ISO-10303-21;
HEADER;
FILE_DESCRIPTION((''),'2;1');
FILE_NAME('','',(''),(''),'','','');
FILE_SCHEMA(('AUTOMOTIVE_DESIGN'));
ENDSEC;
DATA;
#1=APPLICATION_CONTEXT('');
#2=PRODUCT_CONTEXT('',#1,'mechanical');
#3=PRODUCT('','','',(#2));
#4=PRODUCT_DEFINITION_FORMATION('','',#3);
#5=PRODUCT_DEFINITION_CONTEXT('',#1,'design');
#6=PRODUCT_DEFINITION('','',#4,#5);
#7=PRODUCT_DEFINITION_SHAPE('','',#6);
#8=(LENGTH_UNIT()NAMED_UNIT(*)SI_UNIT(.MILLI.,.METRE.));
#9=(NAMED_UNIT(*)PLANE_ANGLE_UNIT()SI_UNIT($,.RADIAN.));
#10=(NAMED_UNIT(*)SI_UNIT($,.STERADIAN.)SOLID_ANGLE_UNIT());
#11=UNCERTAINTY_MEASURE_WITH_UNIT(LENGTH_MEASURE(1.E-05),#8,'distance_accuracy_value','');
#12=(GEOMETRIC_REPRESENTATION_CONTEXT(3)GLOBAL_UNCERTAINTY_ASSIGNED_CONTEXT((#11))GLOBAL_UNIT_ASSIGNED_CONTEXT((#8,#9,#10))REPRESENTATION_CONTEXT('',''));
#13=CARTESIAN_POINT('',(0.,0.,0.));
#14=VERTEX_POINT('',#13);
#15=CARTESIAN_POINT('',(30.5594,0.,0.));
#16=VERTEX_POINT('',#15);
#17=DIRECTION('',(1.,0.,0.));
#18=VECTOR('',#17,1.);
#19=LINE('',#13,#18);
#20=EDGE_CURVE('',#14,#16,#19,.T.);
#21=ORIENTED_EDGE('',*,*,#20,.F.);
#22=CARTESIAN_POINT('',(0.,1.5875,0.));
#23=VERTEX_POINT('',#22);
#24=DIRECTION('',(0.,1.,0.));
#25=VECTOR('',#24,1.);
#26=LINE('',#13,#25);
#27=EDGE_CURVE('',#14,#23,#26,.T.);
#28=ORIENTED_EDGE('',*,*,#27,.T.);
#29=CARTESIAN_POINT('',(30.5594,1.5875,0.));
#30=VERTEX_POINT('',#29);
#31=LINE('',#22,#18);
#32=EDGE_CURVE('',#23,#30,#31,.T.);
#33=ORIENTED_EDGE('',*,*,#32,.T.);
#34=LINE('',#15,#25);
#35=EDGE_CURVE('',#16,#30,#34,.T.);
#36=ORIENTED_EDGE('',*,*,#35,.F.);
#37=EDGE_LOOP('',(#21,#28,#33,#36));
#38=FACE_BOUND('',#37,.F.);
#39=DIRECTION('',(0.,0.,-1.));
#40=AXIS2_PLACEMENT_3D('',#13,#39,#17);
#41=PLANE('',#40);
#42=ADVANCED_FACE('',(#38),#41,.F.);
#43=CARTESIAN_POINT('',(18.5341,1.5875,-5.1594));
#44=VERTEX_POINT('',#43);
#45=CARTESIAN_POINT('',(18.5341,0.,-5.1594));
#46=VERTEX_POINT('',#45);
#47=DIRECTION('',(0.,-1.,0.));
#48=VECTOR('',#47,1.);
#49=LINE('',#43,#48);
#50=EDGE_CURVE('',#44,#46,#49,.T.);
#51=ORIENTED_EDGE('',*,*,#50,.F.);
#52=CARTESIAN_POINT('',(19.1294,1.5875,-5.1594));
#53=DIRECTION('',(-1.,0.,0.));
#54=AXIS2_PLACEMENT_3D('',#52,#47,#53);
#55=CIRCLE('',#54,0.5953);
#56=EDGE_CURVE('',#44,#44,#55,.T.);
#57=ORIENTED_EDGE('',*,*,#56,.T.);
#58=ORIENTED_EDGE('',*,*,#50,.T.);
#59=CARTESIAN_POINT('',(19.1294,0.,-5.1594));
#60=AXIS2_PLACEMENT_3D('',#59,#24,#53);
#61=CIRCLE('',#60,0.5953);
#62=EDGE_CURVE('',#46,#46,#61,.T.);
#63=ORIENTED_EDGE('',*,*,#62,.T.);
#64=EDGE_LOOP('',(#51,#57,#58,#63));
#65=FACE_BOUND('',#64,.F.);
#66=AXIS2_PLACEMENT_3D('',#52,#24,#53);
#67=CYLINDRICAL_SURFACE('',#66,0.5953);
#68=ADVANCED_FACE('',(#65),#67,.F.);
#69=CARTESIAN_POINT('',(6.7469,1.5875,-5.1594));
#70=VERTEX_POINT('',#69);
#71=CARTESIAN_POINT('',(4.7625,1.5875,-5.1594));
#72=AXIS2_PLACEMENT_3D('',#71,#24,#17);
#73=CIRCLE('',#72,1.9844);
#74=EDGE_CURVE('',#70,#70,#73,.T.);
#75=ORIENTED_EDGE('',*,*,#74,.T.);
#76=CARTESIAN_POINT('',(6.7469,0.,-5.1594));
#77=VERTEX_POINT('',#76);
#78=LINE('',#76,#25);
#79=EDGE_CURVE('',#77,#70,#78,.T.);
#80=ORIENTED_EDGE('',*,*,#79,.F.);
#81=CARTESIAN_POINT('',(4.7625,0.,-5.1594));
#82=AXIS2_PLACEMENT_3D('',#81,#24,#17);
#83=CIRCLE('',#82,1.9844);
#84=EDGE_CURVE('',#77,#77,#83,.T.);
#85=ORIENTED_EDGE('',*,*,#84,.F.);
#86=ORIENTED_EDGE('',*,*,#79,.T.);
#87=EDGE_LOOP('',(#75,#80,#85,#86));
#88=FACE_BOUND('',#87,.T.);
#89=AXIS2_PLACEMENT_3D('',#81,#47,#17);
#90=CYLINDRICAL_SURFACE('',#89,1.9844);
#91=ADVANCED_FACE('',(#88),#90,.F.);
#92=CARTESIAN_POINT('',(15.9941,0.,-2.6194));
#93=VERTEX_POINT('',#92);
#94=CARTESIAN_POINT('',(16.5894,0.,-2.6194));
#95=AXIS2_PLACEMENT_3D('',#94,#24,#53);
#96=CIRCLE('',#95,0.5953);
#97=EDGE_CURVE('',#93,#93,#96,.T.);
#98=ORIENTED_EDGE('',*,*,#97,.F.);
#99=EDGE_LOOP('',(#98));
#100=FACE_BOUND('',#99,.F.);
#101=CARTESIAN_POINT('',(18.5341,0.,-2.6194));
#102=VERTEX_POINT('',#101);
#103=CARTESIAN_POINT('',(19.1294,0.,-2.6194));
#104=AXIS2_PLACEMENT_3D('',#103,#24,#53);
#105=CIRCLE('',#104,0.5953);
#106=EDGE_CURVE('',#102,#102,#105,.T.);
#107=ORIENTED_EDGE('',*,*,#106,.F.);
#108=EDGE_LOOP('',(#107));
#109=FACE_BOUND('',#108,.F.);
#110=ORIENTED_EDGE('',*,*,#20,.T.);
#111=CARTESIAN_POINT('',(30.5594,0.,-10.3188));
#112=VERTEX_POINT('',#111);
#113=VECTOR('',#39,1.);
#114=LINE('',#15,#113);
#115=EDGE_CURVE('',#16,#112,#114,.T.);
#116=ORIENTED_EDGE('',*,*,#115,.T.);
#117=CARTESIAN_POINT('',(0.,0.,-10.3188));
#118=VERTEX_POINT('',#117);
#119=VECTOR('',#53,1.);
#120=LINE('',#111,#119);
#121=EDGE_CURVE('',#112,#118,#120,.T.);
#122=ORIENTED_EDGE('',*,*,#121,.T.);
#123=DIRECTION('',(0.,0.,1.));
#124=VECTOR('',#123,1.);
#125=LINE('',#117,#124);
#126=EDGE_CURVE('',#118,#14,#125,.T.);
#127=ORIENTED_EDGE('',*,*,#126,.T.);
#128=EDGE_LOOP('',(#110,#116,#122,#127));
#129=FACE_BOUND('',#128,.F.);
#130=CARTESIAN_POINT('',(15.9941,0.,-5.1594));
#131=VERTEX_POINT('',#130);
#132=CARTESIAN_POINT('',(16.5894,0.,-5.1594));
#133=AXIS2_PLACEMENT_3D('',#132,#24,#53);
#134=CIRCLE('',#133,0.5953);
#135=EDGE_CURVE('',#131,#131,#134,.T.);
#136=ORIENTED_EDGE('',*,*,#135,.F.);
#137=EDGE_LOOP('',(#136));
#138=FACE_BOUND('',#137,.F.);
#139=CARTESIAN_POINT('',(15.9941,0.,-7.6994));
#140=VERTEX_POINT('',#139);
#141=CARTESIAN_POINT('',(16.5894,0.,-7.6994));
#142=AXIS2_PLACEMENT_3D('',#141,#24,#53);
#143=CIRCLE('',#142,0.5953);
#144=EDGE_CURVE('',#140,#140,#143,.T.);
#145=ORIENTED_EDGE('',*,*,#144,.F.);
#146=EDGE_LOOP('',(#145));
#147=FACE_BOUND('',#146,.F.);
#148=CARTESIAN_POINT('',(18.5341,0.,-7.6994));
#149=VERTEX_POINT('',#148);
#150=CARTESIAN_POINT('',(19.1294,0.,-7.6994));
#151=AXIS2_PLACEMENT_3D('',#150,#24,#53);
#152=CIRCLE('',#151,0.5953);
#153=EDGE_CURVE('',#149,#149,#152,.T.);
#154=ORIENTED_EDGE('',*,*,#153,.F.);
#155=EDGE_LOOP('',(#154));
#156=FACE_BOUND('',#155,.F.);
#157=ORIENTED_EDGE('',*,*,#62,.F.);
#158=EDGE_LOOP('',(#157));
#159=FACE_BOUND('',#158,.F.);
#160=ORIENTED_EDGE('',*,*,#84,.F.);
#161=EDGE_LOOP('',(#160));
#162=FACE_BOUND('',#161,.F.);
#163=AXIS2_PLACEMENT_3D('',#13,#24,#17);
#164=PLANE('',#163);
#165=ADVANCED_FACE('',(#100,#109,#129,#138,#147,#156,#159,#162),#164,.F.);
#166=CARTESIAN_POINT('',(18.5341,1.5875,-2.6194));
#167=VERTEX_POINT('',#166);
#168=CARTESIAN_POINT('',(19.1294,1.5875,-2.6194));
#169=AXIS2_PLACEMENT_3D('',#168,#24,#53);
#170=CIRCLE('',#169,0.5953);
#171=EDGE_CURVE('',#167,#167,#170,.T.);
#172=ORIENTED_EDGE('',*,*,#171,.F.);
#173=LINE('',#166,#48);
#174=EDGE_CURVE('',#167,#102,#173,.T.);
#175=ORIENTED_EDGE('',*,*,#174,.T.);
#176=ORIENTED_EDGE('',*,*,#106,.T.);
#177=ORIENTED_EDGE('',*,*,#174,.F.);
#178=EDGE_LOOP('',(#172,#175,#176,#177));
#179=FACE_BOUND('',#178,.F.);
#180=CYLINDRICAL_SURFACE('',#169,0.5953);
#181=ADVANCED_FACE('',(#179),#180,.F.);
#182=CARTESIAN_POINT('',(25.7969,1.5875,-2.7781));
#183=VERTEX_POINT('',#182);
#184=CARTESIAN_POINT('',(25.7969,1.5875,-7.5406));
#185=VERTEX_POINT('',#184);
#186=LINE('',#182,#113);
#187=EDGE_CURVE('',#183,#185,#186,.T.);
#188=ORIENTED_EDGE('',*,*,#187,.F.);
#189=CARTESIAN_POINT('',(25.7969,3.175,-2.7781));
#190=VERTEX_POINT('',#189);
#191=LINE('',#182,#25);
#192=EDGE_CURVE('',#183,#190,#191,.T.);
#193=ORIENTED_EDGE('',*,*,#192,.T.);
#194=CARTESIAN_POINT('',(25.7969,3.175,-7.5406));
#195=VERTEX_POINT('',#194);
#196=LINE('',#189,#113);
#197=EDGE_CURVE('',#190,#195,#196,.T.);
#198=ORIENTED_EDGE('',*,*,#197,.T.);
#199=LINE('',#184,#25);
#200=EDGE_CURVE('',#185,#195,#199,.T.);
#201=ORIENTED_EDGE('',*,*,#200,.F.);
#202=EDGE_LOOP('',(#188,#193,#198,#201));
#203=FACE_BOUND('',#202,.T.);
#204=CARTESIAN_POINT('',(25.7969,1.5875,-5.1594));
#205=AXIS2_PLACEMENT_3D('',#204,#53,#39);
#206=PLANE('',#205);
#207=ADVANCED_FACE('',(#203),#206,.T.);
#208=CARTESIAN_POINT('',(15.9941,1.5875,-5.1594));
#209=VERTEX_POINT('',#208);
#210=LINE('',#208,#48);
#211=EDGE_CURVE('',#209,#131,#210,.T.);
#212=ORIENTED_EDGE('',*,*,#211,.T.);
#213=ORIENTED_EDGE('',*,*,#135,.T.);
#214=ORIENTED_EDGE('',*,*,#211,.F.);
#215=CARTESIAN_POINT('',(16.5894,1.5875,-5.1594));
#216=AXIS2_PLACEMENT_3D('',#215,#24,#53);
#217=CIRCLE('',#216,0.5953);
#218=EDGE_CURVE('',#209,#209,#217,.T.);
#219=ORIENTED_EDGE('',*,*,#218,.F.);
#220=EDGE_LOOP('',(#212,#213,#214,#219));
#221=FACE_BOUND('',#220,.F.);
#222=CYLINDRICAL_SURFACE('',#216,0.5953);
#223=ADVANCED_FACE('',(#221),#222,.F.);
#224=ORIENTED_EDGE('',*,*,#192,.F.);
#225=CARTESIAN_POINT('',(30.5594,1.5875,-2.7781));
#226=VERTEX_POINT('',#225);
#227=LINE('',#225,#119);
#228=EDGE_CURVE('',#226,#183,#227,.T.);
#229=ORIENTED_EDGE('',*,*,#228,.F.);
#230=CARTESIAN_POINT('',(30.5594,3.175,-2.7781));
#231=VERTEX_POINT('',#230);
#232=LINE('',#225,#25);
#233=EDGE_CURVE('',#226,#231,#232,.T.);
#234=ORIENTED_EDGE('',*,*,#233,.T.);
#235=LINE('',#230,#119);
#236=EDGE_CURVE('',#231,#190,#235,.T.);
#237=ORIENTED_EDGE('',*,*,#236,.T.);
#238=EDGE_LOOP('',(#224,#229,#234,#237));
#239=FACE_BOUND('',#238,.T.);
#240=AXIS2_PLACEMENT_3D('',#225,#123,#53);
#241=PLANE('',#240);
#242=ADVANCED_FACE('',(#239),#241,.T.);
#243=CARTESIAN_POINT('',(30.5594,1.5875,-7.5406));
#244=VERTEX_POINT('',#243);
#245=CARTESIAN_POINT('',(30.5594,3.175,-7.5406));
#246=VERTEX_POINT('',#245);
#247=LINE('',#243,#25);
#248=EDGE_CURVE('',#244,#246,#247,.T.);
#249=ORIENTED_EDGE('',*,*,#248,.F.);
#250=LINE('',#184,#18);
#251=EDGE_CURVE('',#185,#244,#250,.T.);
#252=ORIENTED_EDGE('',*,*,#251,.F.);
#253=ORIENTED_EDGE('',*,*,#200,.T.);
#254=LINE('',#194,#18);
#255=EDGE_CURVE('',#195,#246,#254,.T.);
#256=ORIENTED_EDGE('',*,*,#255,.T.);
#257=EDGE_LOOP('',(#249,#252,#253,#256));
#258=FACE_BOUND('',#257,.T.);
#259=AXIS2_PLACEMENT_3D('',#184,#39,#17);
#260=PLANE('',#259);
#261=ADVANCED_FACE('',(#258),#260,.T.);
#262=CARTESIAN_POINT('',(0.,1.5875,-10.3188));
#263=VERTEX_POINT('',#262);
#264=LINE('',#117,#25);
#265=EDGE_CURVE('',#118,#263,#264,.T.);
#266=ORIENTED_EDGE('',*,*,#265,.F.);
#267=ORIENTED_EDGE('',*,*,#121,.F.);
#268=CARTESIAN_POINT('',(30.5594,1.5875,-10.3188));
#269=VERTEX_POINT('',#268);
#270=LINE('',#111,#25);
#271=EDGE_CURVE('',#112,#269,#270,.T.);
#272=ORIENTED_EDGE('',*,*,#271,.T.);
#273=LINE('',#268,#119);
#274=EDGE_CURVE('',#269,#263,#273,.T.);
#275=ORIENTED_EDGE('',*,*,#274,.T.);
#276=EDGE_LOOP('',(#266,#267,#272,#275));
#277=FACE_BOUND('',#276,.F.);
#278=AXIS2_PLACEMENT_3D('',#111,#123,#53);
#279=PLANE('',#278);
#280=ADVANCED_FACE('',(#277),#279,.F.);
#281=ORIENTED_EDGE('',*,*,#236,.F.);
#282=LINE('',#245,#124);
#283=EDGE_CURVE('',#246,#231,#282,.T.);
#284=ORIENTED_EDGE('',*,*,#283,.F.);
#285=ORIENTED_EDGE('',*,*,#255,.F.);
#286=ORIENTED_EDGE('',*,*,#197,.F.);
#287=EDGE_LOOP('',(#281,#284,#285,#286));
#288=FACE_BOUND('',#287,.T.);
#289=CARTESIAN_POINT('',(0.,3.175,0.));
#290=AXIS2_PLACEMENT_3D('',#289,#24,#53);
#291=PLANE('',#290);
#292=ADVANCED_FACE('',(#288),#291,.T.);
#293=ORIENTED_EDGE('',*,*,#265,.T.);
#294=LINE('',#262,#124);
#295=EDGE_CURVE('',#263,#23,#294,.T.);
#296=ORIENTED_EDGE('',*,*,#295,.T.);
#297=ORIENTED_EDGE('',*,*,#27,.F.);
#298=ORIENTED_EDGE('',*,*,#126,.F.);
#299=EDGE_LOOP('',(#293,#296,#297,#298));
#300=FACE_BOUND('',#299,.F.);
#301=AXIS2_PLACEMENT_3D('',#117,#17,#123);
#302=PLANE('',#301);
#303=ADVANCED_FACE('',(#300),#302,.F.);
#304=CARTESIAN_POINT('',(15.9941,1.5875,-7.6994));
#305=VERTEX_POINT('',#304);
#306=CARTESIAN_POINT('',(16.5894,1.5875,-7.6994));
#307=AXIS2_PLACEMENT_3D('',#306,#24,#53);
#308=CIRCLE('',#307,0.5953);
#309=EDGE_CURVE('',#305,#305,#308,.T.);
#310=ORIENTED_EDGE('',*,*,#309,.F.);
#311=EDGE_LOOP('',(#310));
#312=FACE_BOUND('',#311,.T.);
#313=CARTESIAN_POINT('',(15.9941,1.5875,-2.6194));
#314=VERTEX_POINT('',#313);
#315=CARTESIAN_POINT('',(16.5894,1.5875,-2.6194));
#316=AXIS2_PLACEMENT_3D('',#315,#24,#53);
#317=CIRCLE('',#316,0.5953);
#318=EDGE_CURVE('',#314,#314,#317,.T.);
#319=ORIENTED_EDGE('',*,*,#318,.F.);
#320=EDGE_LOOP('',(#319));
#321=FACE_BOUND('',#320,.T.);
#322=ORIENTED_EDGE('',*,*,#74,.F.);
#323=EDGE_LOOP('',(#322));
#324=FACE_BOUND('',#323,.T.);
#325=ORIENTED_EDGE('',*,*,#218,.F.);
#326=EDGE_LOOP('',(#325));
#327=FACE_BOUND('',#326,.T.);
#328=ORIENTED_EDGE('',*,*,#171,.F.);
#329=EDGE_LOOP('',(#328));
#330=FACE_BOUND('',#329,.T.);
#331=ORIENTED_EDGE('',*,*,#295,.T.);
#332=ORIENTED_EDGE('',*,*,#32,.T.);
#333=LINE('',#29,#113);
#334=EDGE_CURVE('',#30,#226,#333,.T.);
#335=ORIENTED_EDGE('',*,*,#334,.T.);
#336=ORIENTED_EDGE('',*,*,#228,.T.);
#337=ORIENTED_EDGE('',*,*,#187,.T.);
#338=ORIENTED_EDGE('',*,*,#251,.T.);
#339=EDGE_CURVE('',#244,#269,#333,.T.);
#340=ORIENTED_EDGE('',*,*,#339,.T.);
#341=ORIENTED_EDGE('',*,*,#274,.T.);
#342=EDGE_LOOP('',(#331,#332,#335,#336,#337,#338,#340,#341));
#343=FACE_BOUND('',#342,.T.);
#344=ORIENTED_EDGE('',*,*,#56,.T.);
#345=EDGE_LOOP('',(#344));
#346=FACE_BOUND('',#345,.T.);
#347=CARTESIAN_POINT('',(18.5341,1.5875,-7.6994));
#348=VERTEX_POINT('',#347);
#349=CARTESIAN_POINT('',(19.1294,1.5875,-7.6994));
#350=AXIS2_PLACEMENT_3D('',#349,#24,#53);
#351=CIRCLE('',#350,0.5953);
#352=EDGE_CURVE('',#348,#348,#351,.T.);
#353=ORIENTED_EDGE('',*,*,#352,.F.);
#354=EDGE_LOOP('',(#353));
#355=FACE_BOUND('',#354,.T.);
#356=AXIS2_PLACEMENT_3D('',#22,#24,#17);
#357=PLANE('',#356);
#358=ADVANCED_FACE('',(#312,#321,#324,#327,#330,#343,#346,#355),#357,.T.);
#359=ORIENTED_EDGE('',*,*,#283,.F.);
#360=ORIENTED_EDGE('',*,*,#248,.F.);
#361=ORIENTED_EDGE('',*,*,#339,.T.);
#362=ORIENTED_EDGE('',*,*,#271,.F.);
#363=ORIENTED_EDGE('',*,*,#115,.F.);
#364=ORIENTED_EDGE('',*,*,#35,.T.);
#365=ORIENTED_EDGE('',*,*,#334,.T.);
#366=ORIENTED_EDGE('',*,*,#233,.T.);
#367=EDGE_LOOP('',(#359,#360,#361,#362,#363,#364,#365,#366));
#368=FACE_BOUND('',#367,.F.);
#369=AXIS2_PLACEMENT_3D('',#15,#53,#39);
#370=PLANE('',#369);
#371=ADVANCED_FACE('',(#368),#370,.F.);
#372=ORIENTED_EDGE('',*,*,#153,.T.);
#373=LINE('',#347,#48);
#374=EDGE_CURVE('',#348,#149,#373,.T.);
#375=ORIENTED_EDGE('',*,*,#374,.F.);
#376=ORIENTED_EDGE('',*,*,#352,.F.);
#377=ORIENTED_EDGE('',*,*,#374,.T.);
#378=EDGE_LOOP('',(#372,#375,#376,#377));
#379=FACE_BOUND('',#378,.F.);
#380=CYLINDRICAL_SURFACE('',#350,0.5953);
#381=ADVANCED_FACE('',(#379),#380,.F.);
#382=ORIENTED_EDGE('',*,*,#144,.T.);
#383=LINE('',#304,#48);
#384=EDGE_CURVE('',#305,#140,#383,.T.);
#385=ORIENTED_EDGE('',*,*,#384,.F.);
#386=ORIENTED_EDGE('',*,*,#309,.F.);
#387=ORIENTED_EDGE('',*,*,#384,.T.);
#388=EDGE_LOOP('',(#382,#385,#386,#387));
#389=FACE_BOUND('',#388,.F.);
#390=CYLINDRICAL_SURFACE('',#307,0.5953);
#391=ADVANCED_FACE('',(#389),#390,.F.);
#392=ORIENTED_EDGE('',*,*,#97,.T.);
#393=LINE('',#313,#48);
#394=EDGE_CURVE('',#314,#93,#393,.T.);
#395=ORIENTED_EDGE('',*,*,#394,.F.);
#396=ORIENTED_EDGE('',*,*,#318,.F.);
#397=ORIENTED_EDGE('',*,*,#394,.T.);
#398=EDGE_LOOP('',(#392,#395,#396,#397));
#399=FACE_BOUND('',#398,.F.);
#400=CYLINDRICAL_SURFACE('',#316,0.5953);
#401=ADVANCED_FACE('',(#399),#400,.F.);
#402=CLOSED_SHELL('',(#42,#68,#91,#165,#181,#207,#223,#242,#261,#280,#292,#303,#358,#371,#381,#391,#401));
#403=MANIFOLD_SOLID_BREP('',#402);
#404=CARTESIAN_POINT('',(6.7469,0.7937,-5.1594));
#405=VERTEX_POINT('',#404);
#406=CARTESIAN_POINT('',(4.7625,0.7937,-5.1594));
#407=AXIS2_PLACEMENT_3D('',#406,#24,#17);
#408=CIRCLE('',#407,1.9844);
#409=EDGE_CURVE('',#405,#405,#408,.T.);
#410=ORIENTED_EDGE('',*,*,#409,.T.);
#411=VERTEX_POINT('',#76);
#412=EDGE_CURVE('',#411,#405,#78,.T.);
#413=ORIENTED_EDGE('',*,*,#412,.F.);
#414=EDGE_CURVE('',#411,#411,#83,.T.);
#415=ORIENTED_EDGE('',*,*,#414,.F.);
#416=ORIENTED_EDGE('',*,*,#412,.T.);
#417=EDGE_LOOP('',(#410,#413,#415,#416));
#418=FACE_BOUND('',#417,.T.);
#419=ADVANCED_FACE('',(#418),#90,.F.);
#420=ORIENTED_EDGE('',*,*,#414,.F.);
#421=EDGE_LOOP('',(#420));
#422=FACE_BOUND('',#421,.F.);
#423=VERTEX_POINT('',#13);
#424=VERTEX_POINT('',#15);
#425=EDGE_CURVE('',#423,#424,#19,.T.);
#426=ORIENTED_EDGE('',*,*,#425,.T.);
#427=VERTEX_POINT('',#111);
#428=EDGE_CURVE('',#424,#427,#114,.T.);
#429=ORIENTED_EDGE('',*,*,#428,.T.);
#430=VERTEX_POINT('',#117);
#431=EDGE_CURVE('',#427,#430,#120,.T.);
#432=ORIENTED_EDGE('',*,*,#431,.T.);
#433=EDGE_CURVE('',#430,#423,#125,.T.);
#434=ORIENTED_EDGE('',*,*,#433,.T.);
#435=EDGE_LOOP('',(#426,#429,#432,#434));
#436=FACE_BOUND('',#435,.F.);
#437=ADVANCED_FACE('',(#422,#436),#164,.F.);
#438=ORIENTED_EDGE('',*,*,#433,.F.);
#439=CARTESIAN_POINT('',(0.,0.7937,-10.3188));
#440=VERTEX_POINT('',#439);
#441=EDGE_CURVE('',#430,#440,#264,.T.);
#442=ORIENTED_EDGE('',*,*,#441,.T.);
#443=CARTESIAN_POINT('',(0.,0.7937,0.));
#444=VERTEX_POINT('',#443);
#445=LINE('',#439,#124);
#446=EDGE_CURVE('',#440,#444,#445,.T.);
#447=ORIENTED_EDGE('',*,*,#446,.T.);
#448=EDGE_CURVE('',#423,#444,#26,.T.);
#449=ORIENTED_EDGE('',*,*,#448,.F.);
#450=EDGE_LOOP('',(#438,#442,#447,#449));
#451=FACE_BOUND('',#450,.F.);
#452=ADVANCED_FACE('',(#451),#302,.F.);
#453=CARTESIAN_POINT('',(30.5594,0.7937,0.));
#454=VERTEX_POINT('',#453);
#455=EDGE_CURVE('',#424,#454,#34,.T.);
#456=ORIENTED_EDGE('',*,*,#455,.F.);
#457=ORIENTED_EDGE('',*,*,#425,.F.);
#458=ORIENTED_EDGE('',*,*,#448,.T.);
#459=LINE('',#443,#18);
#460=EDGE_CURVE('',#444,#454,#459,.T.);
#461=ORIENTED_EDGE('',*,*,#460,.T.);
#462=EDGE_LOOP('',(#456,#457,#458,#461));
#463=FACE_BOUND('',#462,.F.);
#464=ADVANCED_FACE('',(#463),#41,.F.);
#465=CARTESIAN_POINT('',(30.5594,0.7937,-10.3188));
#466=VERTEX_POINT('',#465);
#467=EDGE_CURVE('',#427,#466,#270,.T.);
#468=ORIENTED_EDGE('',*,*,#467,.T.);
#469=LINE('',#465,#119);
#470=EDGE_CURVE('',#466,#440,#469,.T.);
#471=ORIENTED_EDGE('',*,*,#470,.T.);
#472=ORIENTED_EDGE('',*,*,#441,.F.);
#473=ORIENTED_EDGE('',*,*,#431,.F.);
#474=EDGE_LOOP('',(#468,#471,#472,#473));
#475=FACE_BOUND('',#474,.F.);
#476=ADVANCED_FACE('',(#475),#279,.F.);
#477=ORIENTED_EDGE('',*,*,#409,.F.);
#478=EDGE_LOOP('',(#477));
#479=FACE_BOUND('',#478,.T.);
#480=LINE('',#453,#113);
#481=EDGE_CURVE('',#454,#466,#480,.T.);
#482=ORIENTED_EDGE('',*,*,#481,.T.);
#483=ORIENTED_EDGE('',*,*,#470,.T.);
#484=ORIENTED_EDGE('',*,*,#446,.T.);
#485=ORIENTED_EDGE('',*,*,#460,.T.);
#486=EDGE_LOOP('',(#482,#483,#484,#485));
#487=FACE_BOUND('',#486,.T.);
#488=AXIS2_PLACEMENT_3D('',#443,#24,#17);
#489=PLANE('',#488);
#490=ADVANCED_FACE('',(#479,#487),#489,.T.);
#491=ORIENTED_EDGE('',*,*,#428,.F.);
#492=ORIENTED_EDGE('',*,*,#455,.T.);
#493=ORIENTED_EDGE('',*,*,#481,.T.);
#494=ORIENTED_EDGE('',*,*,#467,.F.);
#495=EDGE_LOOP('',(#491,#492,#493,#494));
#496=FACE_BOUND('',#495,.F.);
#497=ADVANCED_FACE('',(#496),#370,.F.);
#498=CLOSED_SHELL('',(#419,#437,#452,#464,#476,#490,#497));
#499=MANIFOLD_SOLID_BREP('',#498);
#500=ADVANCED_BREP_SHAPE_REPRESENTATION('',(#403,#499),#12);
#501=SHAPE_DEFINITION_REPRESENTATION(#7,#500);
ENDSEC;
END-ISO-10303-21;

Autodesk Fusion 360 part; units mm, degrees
sketch "Sketch1" plane through (0, 0, 0) normal (0, 1, 0) x (1, 0, 0)
  circle A0 centre (0, 0) radius 4.7625
  circle A1 centre (0, 0) radius 1.9844
  dimension "d1" = 9.525
  dimension "d2" = 3.9688
extrude "Extrude1" add sketch "Sketch1" along normal blind 0.7937
equation "d1 = ( 3 / 8 ) * 1 in"
equation "d2 = ( 5 / 32 ) * 1 in"
equation "d3 = ( 1 / 32 ) * 1 in"

Autodesk Fusion 360 part; units mm, degrees
sketch "Sketch1" plane through (0, 0, 0) normal (0, 1, 0) x (1, 0, 0) in component "Fast Light Board"
  line L0 (0, 0) -> (30.5594, 0)
  line L1 (30.5594, 0) -> (30.5594, 10.3188)
  line L2 (30.5594, 10.3188) -> (0, 10.3188)
  line L3 (0, 10.3188) -> (0, 0)
  circle A0 centre (4.7625, 5.1594) radius 1.9844
  dimension "d1" = 10.3188
  dimension "d2" = 30.5594
  dimension "d4" = 3.9688
extrude "Extrude1" add sketch "Sketch1" along normal blind 1.5875 in component "Fast Light Board"
sketch "Sketch2" plane through (0, 1.5875, 0) normal (0, 1, 0) x (-1, 0, 0) in component "Fast Light Board"
  circle A0 centre (-4.7625, -5.1594) radius 1.9844
  line L0 (0, -10.3188) -> (0, 0)
  line L1 (0, 0) -> (-30.5594, 0)
  line L2 (-30.5594, 0) -> (-30.5594, -10.3188)
  line L3 (-30.5594, -10.3188) -> (0, -10.3188)
  line L4 (-25.7969, -5.1594) -> (-25.7969, -7.5406)
  line L5 (-25.7969, -7.5406) -> (-30.5594, -7.5406)
  line L6 (-30.5594, -5.1594) -> (-30.5594, -7.5406)
  line L7 (-30.5594, -5.1594) -> (-30.5594, -2.7781)
  line L8 (-30.5594, -2.7781) -> (-25.7969, -2.7781)
  line L9 (-25.7969, -2.7781) -> (-25.7969, -5.1594)
  dimension "d7" = 4.7625
extrude "Extrude2" add sketch "Sketch2" along normal blind 1.5875 contours L2 L4 L5 L6 L7 L8 L9 in component "Fast Light Board"
sketch "Sketch3" plane through (0, 1.5875, 0) normal (0, 1, 0) x (-1, 0, 0) in component "Fast Light Board"
  line L0 (-25.7969, -7.5406) -> (-30.5594, -7.5406)
  line L1 (-30.5594, -7.5406) -> (-30.5594, -10.3188)
  line L2 (-30.5594, -10.3188) -> (0, -10.3188)
  line L3 (0, -10.3188) -> (0, 0)
  line L4 (0, 0) -> (-30.5594, 0)
  line L5 (-30.5594, 0) -> (-30.5594, -2.7781)
  line L6 (-30.5594, -2.7781) -> (-25.7969, -2.7781)
  line L7 (-25.7969, -2.7781) -> (-25.7969, -7.5406)
  circle A0 centre (-4.7625, -5.1594) radius 1.9844
  line L8 (-30.5594, -5.1594) -> (-17.8594, -5.1594)
  line L9 (-17.8594, -5.1594) -> (-19.1294, -5.1594)
  circle A1 centre (-19.1294, -5.1594) radius 0.5953
  circle A2 centre (-16.5894, -5.1594) radius 0.5953
  circle A3 centre (-19.1294, -7.6994) radius 0.5953
  circle A4 centre (-16.5894, -7.6994) radius 0.5953
  circle A5 centre (-16.5894, -2.6194) radius 0.5953
  circle A6 centre (-19.1294, -2.6194) radius 0.5953
  dimension "d12" = 12.7
  dimension "d13" = 1.27
  dimension "d14" = 1.1906
  dimension "d15" = 1.1906
  dimension "d16" = 1.1906
  dimension "d17" = 1.1906
  dimension "d18" = 1.1906
  dimension "d19" = 1.1906
extrude "Extrude3" cut sketch "Sketch3" against normal blind 1.5875 contours L8 L9 A1 | L8 L9 A1 | A2 | A3 | A4 | A5 | A6 in component "Fast Light Board"
component "Fast Light Board" placed x (1, 0, 0) y (0, 1, 0) z (0, 0, 1) at (0, 0, 0)
equation "d1 = ( 13 / 32 ) * 1 in"
equation "d2 = 1 13/64\""
equation "d4 = ( 5 / 32 ) * 1 in"
equation "d5 = ( 1 / 16 ) * 1 in"
equation "d7 = ( 3 / 16 ) * 1 in"
equation "d10 = ( 1 / 16 ) * 1 in"
equation "d14 = ( 3 / 64 ) * 1 in"
equation "d15 = ( 3 / 64 ) * 1 in"
equation "d16 = ( 3 / 64 ) * 1 in"
equation "d17 = ( 3 / 64 ) * 1 in"
equation "d18 = ( 3 / 64 ) * 1 in"
equation "d19 = ( 3 / 64 ) * 1 in"
equation "d20 = ( -1 / 16 ) * 1 in"
properties part number "fast-rgb-led-insert"
